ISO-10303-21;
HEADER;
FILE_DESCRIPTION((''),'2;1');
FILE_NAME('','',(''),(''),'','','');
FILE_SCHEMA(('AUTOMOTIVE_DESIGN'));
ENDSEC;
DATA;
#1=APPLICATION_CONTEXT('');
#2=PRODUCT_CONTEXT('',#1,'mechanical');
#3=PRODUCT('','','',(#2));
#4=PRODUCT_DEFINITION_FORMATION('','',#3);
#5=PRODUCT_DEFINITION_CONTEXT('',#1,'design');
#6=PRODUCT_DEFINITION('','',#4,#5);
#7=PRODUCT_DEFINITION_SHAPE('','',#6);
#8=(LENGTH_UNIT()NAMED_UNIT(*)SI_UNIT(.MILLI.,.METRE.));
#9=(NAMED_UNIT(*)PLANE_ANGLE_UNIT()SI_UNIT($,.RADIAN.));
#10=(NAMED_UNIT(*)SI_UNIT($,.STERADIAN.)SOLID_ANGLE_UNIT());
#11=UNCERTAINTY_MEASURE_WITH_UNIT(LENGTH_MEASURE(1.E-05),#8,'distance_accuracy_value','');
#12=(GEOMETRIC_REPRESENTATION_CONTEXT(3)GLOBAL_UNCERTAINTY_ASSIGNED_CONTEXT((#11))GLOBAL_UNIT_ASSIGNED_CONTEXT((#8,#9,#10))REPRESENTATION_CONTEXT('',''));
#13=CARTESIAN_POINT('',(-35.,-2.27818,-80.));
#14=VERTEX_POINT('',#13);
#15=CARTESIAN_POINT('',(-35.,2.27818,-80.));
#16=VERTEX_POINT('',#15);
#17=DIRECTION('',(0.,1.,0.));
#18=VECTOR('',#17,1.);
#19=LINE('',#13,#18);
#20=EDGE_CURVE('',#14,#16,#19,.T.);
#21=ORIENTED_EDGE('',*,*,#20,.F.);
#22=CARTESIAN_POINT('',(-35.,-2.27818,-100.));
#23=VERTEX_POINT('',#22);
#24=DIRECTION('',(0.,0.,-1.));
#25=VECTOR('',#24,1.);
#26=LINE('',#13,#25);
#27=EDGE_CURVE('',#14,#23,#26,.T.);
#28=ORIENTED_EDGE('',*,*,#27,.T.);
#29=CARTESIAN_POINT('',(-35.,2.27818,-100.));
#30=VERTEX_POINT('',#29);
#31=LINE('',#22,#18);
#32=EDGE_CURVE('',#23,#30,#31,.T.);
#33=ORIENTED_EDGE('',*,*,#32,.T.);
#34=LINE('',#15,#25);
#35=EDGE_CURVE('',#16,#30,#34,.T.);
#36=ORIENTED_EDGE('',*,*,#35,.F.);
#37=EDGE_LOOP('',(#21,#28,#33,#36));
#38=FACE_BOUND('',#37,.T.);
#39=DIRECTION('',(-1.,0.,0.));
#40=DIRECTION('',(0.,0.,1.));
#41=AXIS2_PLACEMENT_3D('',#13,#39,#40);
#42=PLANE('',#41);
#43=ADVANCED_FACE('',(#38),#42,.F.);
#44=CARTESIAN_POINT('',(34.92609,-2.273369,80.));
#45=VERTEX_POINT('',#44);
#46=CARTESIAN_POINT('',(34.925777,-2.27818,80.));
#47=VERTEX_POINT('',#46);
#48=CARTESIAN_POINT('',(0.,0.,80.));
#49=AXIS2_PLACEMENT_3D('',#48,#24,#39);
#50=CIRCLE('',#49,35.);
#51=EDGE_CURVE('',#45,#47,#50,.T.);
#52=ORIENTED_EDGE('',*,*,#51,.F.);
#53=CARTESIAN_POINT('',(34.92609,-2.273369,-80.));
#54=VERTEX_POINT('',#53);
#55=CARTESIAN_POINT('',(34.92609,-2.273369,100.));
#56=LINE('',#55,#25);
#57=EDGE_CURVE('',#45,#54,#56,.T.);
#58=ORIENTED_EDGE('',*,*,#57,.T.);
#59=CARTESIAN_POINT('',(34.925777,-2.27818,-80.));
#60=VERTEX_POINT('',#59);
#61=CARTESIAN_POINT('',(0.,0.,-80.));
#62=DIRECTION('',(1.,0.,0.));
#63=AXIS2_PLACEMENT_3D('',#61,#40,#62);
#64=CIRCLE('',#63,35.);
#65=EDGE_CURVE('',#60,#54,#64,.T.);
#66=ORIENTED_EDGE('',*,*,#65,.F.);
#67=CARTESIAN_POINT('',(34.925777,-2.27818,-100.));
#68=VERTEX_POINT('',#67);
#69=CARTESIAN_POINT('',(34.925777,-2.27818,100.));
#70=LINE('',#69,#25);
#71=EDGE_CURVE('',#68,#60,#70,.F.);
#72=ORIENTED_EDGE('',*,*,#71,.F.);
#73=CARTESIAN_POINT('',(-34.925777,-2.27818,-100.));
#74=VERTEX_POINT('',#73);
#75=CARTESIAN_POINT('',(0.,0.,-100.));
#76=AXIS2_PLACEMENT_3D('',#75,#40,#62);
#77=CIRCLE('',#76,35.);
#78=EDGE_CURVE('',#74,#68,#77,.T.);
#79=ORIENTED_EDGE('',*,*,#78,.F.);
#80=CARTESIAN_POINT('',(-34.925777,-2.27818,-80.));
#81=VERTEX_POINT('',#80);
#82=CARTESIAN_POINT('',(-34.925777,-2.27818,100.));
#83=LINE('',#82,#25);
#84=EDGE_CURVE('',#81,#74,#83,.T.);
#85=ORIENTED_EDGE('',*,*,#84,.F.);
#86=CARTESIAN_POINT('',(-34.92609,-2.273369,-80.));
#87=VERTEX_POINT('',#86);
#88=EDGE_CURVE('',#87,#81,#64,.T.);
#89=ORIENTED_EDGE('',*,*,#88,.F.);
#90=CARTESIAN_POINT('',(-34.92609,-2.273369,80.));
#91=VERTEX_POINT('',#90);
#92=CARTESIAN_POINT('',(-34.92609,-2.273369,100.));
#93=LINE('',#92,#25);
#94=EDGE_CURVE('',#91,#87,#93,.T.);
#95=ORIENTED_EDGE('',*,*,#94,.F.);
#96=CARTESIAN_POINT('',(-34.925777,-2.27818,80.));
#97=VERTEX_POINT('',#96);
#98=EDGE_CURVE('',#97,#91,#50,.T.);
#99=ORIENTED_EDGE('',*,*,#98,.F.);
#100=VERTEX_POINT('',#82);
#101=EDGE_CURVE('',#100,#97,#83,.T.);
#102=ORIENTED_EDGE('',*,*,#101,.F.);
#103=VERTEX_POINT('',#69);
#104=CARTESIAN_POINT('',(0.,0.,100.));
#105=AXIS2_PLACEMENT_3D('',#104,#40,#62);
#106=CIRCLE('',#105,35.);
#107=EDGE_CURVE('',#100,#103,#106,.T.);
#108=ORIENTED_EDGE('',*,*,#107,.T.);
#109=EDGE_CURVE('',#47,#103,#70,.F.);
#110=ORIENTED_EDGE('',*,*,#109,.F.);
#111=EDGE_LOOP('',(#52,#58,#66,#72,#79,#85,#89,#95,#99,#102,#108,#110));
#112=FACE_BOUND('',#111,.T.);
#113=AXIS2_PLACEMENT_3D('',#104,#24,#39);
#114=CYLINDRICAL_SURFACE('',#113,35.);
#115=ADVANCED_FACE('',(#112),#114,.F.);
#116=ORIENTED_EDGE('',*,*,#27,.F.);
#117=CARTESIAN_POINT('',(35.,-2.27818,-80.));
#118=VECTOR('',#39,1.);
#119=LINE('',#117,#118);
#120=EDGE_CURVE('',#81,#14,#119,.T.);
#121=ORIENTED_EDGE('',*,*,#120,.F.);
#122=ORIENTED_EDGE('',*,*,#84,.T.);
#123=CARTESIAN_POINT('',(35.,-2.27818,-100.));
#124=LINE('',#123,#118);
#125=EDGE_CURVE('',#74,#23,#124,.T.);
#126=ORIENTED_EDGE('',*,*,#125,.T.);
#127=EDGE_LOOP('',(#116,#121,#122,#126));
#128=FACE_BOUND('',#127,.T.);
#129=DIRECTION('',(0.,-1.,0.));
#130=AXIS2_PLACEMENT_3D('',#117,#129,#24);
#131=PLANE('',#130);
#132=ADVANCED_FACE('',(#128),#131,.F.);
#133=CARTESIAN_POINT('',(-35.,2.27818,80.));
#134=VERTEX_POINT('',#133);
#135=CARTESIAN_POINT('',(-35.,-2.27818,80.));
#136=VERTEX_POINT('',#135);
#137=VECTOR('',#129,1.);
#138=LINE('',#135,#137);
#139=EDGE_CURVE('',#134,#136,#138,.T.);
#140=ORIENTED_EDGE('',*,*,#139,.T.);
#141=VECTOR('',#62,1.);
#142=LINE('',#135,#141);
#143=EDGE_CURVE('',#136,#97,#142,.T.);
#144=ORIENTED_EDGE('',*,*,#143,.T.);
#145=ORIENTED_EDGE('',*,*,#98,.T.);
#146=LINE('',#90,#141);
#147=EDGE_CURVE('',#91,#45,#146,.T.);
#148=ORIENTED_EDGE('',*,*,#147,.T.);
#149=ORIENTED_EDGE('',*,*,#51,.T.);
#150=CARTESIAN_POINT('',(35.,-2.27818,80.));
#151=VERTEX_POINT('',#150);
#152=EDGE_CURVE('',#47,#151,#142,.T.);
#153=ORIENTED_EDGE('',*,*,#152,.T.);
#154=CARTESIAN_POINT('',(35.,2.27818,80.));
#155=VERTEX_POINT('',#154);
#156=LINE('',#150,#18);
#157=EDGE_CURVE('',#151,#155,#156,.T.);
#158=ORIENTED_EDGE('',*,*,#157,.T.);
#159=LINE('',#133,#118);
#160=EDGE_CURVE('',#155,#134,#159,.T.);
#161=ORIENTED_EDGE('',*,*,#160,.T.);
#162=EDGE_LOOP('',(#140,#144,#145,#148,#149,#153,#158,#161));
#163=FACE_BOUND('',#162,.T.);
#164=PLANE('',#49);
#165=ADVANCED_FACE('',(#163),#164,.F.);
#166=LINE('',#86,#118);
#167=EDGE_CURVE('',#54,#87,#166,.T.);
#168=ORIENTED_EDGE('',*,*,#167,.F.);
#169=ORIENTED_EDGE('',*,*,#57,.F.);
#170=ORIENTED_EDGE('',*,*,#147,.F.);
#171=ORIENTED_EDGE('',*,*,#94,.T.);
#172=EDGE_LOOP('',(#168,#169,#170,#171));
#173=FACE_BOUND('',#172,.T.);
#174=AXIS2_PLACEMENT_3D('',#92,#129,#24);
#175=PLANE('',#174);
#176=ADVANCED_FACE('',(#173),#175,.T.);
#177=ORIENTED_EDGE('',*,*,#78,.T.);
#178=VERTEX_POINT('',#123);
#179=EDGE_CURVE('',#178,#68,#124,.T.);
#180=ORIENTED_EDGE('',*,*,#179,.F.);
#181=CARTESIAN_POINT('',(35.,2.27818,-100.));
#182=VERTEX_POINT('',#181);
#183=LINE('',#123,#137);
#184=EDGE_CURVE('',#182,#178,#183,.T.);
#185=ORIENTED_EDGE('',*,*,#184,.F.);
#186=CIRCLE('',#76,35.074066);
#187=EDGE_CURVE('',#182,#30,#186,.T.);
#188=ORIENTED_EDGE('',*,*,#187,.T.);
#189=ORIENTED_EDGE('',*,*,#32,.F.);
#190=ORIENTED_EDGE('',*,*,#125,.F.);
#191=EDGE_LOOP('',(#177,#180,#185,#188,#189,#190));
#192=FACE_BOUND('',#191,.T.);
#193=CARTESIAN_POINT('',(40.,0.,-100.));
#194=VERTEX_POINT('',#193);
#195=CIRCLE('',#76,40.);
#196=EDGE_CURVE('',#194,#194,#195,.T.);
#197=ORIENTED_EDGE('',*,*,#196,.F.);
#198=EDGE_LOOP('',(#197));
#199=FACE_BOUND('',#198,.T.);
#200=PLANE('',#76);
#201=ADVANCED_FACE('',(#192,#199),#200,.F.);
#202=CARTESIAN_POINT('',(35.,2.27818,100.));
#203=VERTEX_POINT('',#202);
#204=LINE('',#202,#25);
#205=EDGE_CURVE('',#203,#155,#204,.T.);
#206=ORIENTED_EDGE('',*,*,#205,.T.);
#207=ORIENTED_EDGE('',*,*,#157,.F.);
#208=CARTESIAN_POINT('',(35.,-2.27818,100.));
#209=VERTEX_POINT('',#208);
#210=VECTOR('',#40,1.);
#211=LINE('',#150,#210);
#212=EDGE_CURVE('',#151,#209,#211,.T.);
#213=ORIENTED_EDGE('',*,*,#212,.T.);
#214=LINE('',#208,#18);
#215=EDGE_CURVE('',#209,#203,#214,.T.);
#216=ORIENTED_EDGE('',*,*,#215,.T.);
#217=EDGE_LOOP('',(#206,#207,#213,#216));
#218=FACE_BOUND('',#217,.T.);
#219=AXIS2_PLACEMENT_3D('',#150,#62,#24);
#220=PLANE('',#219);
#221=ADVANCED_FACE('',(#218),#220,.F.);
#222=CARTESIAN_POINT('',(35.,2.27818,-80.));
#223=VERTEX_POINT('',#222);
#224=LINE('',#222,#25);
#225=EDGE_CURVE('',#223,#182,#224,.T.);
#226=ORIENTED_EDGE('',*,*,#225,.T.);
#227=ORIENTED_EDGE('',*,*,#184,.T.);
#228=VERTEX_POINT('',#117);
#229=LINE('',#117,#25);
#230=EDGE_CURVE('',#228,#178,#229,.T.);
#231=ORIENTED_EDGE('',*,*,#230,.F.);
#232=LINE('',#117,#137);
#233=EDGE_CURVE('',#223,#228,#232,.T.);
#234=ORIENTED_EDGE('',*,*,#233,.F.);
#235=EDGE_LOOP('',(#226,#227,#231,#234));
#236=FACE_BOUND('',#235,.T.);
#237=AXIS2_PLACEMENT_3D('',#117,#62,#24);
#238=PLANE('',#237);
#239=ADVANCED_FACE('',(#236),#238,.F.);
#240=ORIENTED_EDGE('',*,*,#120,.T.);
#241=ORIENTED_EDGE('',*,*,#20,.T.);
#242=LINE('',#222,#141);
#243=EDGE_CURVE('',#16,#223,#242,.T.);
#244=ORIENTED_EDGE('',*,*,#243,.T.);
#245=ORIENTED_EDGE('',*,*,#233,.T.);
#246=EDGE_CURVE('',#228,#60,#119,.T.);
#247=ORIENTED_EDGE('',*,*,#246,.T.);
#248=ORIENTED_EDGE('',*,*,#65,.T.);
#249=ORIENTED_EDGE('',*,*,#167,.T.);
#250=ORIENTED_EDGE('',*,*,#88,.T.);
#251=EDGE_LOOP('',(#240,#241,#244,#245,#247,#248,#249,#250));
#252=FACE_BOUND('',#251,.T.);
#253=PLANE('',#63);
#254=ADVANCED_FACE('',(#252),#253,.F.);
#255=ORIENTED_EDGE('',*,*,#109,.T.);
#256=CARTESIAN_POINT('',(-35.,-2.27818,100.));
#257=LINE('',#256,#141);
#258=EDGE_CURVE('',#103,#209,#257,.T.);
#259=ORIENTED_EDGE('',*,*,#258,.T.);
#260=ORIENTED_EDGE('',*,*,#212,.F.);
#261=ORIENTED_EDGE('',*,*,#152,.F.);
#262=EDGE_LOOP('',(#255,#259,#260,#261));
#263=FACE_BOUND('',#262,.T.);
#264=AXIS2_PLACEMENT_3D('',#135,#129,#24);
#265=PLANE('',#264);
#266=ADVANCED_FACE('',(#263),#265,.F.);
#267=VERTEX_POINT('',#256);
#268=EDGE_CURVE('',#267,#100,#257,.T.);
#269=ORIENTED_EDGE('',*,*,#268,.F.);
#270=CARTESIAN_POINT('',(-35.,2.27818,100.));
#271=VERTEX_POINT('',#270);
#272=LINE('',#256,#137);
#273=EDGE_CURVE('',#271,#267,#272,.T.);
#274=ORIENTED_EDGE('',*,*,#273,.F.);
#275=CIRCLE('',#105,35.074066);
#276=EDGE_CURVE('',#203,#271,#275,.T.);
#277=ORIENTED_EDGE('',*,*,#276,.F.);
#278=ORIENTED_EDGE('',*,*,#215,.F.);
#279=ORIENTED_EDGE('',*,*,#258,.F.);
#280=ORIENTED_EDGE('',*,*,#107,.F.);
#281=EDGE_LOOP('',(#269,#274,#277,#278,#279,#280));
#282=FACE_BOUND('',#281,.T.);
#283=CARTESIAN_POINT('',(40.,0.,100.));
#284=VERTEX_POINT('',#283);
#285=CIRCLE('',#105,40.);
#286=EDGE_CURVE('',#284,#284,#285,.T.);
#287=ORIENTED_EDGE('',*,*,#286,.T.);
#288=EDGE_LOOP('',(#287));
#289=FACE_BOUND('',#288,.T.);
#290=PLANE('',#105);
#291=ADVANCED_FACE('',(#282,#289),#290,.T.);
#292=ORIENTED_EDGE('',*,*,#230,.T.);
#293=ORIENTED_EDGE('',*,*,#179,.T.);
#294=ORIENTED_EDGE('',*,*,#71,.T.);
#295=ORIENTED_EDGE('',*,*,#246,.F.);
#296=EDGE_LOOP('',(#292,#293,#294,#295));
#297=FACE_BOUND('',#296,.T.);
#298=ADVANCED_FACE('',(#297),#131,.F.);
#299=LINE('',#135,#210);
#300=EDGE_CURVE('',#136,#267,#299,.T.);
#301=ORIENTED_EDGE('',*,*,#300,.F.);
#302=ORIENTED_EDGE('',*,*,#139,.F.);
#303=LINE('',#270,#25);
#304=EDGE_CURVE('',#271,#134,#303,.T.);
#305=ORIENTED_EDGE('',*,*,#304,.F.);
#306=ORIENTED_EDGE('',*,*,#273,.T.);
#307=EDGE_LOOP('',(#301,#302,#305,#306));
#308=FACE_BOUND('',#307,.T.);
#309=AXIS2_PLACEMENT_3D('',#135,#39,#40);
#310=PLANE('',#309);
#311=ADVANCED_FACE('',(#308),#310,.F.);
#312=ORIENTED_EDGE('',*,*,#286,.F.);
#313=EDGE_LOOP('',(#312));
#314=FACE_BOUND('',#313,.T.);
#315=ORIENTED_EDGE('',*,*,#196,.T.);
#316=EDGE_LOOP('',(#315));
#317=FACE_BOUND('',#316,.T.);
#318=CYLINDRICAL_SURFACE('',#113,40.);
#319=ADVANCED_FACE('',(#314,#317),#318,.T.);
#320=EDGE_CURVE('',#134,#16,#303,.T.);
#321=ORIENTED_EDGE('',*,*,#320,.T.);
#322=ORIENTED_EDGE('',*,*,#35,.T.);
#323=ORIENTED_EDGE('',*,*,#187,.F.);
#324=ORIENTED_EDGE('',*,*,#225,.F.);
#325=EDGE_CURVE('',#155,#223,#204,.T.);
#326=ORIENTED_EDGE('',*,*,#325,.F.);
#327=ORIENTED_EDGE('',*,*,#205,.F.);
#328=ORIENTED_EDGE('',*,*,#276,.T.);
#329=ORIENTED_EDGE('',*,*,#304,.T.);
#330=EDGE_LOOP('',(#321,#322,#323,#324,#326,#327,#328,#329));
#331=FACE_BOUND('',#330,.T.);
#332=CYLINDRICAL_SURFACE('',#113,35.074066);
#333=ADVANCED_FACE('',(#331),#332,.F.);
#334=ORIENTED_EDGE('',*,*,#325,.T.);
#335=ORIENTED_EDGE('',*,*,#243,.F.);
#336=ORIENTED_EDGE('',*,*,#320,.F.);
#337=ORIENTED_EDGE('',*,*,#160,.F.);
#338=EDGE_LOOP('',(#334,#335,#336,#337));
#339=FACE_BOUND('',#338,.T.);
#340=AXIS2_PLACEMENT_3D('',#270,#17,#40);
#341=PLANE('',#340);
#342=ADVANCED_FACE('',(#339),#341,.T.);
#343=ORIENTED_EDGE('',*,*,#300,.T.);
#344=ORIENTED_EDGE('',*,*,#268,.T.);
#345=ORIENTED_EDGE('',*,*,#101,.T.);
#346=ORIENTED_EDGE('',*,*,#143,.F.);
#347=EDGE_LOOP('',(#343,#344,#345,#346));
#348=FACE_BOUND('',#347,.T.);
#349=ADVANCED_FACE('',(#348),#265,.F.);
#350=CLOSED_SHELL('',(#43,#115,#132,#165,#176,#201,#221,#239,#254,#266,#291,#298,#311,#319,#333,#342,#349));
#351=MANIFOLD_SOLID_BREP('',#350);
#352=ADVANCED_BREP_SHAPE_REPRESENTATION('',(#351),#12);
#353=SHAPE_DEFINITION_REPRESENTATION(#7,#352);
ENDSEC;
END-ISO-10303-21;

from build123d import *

# Parameters (mm, degrees)
SKETCH2_R           = 40
BOSS_EXTRUDE1_DEPTH = 100
SKETCH4_W           = 70
SKETCH4_H           = 4.556359802
CUT_EXTRUDE1_DEPTH  = 20
SKETCH5_W           = 70
SKETCH5_H           = 4.556359802
CUT_EXTRUDE2_DEPTH  = 20


with BuildPart() as part:
    # Sketch2 → Boss-Extrude1 (new, symmetric)
    with BuildSketch(Plane.XY):
        Circle(SKETCH2_R)
        with BuildLine():
            ThreePointArc((34.926090435, -2.273369064), (0, -35), (-34.926090435, -2.273369064))
            Line((-34.926090435, -2.273369064), (34.926090435, -2.273369064))
        make_face(mode=Mode.SUBTRACT)
        with BuildLine():
            Line((35, 2.278179901), (-35, 2.278179901))
            ThreePointArc((-35, 2.278179901), (0, 35.07406597), (35, 2.278179901))
        make_face(mode=Mode.SUBTRACT)
    extrude(amount=BOSS_EXTRUDE1_DEPTH, both=True)

    # Sketch4 → Cut-Extrude1 (cut)
    with BuildSketch(Plane.XY.offset(100)):
        Rectangle(SKETCH4_W, SKETCH4_H)
    extrude(amount=-CUT_EXTRUDE1_DEPTH, mode=Mode.SUBTRACT)

    # Sketch5 → Cut-Extrude2 (cut)
    with BuildSketch(Plane(origin=(0, 0, -100), x_dir=(-1, 0, 0), z_dir=(0, 0, -1))):
        Rectangle(SKETCH5_W, SKETCH5_H)
    extrude(amount=-CUT_EXTRUDE2_DEPTH, mode=Mode.SUBTRACT)


solid = part.part
